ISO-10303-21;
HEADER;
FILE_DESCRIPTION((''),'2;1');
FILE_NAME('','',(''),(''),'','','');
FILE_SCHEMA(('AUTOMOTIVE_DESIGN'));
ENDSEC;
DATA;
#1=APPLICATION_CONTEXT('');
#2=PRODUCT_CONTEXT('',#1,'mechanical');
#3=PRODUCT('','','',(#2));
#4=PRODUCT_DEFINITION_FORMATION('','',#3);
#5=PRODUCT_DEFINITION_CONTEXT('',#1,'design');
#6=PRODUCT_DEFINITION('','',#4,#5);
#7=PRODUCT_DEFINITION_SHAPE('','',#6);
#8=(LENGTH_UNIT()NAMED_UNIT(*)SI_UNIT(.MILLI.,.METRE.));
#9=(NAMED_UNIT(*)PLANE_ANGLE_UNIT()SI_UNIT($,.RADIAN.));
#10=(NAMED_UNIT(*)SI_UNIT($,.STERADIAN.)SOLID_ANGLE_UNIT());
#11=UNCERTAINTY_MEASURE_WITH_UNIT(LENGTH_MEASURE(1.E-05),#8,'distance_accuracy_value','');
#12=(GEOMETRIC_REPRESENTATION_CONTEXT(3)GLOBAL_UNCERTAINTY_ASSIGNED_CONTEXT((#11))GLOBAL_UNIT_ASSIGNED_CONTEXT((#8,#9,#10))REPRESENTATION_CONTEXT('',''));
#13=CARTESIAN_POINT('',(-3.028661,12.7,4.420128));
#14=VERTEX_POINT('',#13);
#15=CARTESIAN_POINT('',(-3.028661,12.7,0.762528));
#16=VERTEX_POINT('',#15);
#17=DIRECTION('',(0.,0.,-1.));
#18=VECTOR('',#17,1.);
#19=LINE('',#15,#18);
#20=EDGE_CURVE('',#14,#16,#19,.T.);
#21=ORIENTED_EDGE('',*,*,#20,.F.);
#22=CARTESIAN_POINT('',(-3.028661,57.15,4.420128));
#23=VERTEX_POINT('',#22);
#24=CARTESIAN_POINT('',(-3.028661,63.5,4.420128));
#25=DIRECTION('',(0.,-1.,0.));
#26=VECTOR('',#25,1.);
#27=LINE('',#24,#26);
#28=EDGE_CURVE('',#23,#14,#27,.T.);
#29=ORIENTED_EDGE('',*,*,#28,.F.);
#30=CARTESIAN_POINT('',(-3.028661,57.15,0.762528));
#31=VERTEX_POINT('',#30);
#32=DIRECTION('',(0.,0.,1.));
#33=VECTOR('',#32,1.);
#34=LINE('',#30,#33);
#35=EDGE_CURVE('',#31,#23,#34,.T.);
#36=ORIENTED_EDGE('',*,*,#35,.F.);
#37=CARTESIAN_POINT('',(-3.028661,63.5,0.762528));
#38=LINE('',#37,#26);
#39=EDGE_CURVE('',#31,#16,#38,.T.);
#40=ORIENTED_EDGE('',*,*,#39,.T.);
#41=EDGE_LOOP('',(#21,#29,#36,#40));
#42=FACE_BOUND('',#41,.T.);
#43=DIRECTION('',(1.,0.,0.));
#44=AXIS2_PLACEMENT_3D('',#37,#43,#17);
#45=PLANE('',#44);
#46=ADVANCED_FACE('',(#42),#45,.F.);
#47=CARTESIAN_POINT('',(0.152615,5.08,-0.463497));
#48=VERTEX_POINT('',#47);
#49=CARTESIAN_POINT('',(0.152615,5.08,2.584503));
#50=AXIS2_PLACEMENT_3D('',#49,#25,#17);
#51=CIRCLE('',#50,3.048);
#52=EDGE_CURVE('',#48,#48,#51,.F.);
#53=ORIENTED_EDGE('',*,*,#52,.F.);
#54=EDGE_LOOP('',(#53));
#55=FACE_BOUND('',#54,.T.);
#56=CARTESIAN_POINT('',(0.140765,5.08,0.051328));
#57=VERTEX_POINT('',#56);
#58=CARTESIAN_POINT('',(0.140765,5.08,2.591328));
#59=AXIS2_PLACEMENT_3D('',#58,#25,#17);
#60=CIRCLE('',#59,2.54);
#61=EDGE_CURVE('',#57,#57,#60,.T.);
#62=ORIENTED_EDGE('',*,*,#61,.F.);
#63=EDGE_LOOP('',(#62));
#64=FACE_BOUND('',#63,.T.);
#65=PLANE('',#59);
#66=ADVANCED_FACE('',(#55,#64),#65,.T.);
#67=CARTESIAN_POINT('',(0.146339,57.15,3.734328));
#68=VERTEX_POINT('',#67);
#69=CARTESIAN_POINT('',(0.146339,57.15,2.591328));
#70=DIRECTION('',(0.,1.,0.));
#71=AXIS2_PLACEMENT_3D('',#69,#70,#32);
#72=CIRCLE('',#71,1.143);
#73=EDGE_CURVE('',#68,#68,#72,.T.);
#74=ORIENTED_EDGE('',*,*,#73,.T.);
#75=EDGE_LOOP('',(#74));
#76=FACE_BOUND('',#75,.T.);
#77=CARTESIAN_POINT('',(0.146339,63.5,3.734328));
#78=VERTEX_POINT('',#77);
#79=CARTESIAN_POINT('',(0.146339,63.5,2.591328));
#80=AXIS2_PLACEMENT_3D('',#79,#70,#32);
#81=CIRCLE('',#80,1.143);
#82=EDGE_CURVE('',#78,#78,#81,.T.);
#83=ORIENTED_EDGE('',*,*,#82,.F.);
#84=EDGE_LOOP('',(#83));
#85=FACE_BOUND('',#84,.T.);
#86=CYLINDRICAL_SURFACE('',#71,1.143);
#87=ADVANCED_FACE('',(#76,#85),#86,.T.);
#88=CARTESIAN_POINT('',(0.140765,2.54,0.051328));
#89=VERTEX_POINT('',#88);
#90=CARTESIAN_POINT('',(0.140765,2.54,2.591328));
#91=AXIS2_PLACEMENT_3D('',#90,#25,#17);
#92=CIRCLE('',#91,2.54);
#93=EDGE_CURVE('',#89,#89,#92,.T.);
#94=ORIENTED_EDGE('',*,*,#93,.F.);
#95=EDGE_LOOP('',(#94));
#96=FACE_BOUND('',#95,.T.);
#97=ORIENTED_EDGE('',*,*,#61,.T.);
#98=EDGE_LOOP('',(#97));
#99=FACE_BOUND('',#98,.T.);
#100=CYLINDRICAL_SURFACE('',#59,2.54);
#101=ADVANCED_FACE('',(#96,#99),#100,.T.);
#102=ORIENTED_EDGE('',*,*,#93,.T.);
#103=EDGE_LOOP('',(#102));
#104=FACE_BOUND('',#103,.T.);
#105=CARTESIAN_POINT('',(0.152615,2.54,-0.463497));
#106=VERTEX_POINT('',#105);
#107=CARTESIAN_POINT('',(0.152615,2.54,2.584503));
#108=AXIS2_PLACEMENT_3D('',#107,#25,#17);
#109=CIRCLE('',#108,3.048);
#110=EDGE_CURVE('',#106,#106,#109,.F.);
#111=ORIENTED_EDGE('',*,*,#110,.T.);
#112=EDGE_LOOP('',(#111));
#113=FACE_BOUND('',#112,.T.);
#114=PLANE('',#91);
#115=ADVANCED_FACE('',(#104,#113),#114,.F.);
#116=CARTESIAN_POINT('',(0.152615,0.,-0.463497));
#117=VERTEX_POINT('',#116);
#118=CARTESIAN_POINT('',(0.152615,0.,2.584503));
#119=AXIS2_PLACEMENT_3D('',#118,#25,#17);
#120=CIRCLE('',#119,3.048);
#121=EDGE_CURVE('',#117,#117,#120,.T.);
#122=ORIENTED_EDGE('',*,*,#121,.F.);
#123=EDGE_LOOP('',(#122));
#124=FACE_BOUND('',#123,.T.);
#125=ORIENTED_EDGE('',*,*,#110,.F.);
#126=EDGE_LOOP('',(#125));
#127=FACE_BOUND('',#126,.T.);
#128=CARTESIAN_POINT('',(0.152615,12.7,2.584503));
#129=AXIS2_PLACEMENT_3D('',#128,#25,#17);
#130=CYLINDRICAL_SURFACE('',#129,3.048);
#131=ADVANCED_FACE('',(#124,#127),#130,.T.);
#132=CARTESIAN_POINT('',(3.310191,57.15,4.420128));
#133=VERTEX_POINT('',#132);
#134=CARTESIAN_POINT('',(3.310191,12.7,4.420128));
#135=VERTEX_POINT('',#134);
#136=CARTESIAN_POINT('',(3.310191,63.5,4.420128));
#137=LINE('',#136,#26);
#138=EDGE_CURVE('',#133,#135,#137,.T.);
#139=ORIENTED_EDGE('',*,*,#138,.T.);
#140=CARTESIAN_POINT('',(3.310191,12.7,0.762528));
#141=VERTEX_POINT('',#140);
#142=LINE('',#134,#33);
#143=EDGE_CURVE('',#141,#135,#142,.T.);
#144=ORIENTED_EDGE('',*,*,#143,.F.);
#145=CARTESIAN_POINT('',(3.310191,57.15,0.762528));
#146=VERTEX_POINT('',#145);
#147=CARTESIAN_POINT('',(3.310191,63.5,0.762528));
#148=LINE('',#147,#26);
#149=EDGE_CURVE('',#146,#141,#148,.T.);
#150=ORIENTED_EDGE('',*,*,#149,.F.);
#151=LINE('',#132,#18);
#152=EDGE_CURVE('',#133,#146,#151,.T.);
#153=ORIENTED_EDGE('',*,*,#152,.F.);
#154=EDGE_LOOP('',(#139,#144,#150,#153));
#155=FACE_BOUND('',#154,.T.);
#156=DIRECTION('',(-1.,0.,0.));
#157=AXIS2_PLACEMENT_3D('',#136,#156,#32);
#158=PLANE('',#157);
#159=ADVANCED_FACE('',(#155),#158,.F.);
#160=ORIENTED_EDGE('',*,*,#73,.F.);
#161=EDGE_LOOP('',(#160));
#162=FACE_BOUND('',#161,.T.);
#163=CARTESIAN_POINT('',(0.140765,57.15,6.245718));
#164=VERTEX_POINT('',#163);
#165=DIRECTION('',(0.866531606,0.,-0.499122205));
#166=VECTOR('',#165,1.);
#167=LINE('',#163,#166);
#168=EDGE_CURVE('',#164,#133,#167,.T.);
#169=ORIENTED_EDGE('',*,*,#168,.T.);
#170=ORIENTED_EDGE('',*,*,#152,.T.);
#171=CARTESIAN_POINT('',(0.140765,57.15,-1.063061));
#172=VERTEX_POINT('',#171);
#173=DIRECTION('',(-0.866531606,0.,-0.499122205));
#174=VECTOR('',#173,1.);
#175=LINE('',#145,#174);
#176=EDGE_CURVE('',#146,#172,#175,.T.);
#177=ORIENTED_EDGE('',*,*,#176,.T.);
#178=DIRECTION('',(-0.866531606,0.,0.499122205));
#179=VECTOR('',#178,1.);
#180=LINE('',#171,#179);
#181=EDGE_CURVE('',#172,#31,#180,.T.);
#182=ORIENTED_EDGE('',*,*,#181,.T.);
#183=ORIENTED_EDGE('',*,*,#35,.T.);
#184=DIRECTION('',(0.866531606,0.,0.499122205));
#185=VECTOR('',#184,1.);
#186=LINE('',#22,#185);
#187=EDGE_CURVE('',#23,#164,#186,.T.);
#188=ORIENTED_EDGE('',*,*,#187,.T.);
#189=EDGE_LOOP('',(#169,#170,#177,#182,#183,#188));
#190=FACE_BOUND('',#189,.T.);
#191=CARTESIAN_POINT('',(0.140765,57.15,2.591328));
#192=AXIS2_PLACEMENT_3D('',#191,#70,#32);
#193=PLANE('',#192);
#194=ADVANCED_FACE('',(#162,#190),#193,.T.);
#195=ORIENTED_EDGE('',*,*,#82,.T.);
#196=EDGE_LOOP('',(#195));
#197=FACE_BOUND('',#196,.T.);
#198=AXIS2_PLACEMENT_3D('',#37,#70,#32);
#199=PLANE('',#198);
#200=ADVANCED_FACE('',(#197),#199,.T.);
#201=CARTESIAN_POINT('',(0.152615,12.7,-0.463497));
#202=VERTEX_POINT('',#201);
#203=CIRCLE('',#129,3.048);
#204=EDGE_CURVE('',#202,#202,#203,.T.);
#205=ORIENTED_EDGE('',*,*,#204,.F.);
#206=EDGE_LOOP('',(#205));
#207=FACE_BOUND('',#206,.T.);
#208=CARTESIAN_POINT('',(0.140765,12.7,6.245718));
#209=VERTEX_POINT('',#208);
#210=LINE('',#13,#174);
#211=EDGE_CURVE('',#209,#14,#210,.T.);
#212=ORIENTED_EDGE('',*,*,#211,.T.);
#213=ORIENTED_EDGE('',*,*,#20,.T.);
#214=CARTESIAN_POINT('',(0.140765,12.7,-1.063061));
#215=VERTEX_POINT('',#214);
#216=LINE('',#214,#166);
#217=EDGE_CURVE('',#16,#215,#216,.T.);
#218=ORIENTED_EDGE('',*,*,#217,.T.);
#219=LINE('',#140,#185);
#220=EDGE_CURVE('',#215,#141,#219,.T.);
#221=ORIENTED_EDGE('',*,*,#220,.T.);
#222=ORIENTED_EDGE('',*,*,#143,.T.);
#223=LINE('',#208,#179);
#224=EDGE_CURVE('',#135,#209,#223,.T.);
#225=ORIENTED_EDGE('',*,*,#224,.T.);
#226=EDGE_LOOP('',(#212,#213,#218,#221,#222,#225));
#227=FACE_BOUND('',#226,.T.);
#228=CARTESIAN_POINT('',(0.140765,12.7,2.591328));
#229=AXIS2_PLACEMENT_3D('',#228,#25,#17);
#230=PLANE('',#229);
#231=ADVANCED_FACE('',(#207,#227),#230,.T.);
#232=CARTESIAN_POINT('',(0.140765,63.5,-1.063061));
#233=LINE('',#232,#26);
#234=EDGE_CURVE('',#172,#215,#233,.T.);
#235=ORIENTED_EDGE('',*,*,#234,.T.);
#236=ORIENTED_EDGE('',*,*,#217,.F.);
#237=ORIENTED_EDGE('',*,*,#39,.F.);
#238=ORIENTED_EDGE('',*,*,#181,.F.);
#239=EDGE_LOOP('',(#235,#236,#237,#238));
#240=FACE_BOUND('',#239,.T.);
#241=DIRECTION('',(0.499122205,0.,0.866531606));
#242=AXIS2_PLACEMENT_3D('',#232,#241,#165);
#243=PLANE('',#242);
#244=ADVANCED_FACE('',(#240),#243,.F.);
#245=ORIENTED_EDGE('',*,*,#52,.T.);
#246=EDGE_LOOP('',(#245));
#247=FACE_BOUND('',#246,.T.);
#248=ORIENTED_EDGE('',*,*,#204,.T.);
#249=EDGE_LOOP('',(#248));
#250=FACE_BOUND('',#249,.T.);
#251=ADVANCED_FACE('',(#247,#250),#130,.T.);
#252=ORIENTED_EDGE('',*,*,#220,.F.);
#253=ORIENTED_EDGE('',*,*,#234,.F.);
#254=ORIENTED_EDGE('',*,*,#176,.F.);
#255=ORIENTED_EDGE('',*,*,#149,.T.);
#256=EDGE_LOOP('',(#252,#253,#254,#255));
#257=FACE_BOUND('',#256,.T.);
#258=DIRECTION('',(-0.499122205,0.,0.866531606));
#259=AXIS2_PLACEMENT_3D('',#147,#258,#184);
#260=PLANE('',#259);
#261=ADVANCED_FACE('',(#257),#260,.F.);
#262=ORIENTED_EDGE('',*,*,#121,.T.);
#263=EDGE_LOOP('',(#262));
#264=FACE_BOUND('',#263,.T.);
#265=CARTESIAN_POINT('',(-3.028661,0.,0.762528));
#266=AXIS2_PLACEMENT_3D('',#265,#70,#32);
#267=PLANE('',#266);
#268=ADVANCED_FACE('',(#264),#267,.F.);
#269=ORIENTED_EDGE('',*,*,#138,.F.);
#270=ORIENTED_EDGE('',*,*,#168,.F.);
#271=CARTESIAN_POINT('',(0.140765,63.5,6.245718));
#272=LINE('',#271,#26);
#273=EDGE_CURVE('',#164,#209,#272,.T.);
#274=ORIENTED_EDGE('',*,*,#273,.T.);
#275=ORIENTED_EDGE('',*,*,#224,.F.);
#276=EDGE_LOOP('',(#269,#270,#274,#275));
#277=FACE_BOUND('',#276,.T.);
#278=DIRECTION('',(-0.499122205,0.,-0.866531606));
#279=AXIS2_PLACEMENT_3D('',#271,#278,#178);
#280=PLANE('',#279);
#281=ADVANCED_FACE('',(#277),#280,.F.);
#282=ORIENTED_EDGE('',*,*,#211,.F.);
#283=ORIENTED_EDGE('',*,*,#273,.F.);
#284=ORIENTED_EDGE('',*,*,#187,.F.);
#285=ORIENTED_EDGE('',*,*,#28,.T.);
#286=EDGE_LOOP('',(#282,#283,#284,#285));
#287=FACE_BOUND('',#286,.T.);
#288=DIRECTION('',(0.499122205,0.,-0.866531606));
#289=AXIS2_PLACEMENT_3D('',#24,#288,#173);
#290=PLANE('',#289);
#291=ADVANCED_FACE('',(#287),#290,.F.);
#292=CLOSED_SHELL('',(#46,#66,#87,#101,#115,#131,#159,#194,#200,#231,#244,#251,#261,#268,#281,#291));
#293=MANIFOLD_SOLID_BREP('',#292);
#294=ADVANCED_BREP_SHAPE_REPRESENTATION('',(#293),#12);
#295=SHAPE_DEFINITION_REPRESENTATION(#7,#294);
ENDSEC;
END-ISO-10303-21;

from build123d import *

# Parameters (mm, degrees)
BOSS_EXTRUDE1_DEPTH = 63.5
SKETCH2_OUTSIDE_W   = 21.185
SKETCH2_OUTSIDE_H   = 22.155
SKETCH2_OUTSIDE_R   = 1.143
CUT_EXTRUDE1_DEPTH  = 6.35
SKETCH3_OUTSIDE_W   = 21.185
SKETCH3_OUTSIDE_H   = 22.155
SKETCH3_OUTSIDE_R   = 3.048
CUT_EXTRUDE2_DEPTH  = 12.7
SKETCH4_OUTSIDE_W   = 21.185
SKETCH4_OUTSIDE_H   = 22.155
SKETCH4_OUTSIDE_R   = 2.54
CUT_EXTRUDE3_DEPTH  = 2.54


with BuildPart() as part:
    # Sketch1 → Boss-Extrude1 (new body)
    with BuildSketch(Plane(origin=(0, 0, 0), x_dir=(1, 0, 0), z_dir=(0, 1, 0))):
        Polygon((3.310191022, -4.420128359), (3.310191022, -0.762528359), (0.140765019, 1.063061018), (-3.028660983, -0.762528359), (-3.028660983, -4.420128359), (0.140765019, -6.245717737), align=None)
    extrude(amount=BOSS_EXTRUDE1_DEPTH)

    # Sketch2 outside → Cut-Extrude1 (cut)
    with BuildSketch(Plane(origin=(0, 63.5, 0), x_dir=(1, 0, 0), z_dir=(0, 1, 0))):
        with Locations((0.1405, -2.5915)):
            Rectangle(SKETCH2_OUTSIDE_W, SKETCH2_OUTSIDE_H)
        with Locations(Location((0.146339017, -2.591328359, 0), (0, 0, 270))):
            Circle(SKETCH2_OUTSIDE_R, mode=Mode.SUBTRACT)
    extrude(amount=-CUT_EXTRUDE1_DEPTH, mode=Mode.SUBTRACT)

    # Sketch3 outside → Cut-Extrude2 (cut)
    with BuildSketch(Plane.XZ):
        with Locations((0.1405, 2.5915)):
            Rectangle(SKETCH3_OUTSIDE_W, SKETCH3_OUTSIDE_H)
        with Locations(Location((0.152614949, 2.5845028, 0), (0, 0, 270))):
            Circle(SKETCH3_OUTSIDE_R, mode=Mode.SUBTRACT)
    extrude(amount=-CUT_EXTRUDE2_DEPTH, mode=Mode.SUBTRACT)

    # Sketch4 outside → Cut-Extrude3 (cut)
    with BuildSketch(Plane(origin=(0, 2.54, 0), x_dir=(-1, 0, 0), z_dir=(0, -1, 0))):
        with Locations((-0.1405, -2.5915)):
            Rectangle(SKETCH4_OUTSIDE_W, SKETCH4_OUTSIDE_H)
        with Locations(Location((-0.140765019, -2.591328359, 0), (0, 0, 90))):
            Circle(SKETCH4_OUTSIDE_R, mode=Mode.SUBTRACT)
    extrude(amount=-CUT_EXTRUDE3_DEPTH, mode=Mode.SUBTRACT)


solid = part.part
